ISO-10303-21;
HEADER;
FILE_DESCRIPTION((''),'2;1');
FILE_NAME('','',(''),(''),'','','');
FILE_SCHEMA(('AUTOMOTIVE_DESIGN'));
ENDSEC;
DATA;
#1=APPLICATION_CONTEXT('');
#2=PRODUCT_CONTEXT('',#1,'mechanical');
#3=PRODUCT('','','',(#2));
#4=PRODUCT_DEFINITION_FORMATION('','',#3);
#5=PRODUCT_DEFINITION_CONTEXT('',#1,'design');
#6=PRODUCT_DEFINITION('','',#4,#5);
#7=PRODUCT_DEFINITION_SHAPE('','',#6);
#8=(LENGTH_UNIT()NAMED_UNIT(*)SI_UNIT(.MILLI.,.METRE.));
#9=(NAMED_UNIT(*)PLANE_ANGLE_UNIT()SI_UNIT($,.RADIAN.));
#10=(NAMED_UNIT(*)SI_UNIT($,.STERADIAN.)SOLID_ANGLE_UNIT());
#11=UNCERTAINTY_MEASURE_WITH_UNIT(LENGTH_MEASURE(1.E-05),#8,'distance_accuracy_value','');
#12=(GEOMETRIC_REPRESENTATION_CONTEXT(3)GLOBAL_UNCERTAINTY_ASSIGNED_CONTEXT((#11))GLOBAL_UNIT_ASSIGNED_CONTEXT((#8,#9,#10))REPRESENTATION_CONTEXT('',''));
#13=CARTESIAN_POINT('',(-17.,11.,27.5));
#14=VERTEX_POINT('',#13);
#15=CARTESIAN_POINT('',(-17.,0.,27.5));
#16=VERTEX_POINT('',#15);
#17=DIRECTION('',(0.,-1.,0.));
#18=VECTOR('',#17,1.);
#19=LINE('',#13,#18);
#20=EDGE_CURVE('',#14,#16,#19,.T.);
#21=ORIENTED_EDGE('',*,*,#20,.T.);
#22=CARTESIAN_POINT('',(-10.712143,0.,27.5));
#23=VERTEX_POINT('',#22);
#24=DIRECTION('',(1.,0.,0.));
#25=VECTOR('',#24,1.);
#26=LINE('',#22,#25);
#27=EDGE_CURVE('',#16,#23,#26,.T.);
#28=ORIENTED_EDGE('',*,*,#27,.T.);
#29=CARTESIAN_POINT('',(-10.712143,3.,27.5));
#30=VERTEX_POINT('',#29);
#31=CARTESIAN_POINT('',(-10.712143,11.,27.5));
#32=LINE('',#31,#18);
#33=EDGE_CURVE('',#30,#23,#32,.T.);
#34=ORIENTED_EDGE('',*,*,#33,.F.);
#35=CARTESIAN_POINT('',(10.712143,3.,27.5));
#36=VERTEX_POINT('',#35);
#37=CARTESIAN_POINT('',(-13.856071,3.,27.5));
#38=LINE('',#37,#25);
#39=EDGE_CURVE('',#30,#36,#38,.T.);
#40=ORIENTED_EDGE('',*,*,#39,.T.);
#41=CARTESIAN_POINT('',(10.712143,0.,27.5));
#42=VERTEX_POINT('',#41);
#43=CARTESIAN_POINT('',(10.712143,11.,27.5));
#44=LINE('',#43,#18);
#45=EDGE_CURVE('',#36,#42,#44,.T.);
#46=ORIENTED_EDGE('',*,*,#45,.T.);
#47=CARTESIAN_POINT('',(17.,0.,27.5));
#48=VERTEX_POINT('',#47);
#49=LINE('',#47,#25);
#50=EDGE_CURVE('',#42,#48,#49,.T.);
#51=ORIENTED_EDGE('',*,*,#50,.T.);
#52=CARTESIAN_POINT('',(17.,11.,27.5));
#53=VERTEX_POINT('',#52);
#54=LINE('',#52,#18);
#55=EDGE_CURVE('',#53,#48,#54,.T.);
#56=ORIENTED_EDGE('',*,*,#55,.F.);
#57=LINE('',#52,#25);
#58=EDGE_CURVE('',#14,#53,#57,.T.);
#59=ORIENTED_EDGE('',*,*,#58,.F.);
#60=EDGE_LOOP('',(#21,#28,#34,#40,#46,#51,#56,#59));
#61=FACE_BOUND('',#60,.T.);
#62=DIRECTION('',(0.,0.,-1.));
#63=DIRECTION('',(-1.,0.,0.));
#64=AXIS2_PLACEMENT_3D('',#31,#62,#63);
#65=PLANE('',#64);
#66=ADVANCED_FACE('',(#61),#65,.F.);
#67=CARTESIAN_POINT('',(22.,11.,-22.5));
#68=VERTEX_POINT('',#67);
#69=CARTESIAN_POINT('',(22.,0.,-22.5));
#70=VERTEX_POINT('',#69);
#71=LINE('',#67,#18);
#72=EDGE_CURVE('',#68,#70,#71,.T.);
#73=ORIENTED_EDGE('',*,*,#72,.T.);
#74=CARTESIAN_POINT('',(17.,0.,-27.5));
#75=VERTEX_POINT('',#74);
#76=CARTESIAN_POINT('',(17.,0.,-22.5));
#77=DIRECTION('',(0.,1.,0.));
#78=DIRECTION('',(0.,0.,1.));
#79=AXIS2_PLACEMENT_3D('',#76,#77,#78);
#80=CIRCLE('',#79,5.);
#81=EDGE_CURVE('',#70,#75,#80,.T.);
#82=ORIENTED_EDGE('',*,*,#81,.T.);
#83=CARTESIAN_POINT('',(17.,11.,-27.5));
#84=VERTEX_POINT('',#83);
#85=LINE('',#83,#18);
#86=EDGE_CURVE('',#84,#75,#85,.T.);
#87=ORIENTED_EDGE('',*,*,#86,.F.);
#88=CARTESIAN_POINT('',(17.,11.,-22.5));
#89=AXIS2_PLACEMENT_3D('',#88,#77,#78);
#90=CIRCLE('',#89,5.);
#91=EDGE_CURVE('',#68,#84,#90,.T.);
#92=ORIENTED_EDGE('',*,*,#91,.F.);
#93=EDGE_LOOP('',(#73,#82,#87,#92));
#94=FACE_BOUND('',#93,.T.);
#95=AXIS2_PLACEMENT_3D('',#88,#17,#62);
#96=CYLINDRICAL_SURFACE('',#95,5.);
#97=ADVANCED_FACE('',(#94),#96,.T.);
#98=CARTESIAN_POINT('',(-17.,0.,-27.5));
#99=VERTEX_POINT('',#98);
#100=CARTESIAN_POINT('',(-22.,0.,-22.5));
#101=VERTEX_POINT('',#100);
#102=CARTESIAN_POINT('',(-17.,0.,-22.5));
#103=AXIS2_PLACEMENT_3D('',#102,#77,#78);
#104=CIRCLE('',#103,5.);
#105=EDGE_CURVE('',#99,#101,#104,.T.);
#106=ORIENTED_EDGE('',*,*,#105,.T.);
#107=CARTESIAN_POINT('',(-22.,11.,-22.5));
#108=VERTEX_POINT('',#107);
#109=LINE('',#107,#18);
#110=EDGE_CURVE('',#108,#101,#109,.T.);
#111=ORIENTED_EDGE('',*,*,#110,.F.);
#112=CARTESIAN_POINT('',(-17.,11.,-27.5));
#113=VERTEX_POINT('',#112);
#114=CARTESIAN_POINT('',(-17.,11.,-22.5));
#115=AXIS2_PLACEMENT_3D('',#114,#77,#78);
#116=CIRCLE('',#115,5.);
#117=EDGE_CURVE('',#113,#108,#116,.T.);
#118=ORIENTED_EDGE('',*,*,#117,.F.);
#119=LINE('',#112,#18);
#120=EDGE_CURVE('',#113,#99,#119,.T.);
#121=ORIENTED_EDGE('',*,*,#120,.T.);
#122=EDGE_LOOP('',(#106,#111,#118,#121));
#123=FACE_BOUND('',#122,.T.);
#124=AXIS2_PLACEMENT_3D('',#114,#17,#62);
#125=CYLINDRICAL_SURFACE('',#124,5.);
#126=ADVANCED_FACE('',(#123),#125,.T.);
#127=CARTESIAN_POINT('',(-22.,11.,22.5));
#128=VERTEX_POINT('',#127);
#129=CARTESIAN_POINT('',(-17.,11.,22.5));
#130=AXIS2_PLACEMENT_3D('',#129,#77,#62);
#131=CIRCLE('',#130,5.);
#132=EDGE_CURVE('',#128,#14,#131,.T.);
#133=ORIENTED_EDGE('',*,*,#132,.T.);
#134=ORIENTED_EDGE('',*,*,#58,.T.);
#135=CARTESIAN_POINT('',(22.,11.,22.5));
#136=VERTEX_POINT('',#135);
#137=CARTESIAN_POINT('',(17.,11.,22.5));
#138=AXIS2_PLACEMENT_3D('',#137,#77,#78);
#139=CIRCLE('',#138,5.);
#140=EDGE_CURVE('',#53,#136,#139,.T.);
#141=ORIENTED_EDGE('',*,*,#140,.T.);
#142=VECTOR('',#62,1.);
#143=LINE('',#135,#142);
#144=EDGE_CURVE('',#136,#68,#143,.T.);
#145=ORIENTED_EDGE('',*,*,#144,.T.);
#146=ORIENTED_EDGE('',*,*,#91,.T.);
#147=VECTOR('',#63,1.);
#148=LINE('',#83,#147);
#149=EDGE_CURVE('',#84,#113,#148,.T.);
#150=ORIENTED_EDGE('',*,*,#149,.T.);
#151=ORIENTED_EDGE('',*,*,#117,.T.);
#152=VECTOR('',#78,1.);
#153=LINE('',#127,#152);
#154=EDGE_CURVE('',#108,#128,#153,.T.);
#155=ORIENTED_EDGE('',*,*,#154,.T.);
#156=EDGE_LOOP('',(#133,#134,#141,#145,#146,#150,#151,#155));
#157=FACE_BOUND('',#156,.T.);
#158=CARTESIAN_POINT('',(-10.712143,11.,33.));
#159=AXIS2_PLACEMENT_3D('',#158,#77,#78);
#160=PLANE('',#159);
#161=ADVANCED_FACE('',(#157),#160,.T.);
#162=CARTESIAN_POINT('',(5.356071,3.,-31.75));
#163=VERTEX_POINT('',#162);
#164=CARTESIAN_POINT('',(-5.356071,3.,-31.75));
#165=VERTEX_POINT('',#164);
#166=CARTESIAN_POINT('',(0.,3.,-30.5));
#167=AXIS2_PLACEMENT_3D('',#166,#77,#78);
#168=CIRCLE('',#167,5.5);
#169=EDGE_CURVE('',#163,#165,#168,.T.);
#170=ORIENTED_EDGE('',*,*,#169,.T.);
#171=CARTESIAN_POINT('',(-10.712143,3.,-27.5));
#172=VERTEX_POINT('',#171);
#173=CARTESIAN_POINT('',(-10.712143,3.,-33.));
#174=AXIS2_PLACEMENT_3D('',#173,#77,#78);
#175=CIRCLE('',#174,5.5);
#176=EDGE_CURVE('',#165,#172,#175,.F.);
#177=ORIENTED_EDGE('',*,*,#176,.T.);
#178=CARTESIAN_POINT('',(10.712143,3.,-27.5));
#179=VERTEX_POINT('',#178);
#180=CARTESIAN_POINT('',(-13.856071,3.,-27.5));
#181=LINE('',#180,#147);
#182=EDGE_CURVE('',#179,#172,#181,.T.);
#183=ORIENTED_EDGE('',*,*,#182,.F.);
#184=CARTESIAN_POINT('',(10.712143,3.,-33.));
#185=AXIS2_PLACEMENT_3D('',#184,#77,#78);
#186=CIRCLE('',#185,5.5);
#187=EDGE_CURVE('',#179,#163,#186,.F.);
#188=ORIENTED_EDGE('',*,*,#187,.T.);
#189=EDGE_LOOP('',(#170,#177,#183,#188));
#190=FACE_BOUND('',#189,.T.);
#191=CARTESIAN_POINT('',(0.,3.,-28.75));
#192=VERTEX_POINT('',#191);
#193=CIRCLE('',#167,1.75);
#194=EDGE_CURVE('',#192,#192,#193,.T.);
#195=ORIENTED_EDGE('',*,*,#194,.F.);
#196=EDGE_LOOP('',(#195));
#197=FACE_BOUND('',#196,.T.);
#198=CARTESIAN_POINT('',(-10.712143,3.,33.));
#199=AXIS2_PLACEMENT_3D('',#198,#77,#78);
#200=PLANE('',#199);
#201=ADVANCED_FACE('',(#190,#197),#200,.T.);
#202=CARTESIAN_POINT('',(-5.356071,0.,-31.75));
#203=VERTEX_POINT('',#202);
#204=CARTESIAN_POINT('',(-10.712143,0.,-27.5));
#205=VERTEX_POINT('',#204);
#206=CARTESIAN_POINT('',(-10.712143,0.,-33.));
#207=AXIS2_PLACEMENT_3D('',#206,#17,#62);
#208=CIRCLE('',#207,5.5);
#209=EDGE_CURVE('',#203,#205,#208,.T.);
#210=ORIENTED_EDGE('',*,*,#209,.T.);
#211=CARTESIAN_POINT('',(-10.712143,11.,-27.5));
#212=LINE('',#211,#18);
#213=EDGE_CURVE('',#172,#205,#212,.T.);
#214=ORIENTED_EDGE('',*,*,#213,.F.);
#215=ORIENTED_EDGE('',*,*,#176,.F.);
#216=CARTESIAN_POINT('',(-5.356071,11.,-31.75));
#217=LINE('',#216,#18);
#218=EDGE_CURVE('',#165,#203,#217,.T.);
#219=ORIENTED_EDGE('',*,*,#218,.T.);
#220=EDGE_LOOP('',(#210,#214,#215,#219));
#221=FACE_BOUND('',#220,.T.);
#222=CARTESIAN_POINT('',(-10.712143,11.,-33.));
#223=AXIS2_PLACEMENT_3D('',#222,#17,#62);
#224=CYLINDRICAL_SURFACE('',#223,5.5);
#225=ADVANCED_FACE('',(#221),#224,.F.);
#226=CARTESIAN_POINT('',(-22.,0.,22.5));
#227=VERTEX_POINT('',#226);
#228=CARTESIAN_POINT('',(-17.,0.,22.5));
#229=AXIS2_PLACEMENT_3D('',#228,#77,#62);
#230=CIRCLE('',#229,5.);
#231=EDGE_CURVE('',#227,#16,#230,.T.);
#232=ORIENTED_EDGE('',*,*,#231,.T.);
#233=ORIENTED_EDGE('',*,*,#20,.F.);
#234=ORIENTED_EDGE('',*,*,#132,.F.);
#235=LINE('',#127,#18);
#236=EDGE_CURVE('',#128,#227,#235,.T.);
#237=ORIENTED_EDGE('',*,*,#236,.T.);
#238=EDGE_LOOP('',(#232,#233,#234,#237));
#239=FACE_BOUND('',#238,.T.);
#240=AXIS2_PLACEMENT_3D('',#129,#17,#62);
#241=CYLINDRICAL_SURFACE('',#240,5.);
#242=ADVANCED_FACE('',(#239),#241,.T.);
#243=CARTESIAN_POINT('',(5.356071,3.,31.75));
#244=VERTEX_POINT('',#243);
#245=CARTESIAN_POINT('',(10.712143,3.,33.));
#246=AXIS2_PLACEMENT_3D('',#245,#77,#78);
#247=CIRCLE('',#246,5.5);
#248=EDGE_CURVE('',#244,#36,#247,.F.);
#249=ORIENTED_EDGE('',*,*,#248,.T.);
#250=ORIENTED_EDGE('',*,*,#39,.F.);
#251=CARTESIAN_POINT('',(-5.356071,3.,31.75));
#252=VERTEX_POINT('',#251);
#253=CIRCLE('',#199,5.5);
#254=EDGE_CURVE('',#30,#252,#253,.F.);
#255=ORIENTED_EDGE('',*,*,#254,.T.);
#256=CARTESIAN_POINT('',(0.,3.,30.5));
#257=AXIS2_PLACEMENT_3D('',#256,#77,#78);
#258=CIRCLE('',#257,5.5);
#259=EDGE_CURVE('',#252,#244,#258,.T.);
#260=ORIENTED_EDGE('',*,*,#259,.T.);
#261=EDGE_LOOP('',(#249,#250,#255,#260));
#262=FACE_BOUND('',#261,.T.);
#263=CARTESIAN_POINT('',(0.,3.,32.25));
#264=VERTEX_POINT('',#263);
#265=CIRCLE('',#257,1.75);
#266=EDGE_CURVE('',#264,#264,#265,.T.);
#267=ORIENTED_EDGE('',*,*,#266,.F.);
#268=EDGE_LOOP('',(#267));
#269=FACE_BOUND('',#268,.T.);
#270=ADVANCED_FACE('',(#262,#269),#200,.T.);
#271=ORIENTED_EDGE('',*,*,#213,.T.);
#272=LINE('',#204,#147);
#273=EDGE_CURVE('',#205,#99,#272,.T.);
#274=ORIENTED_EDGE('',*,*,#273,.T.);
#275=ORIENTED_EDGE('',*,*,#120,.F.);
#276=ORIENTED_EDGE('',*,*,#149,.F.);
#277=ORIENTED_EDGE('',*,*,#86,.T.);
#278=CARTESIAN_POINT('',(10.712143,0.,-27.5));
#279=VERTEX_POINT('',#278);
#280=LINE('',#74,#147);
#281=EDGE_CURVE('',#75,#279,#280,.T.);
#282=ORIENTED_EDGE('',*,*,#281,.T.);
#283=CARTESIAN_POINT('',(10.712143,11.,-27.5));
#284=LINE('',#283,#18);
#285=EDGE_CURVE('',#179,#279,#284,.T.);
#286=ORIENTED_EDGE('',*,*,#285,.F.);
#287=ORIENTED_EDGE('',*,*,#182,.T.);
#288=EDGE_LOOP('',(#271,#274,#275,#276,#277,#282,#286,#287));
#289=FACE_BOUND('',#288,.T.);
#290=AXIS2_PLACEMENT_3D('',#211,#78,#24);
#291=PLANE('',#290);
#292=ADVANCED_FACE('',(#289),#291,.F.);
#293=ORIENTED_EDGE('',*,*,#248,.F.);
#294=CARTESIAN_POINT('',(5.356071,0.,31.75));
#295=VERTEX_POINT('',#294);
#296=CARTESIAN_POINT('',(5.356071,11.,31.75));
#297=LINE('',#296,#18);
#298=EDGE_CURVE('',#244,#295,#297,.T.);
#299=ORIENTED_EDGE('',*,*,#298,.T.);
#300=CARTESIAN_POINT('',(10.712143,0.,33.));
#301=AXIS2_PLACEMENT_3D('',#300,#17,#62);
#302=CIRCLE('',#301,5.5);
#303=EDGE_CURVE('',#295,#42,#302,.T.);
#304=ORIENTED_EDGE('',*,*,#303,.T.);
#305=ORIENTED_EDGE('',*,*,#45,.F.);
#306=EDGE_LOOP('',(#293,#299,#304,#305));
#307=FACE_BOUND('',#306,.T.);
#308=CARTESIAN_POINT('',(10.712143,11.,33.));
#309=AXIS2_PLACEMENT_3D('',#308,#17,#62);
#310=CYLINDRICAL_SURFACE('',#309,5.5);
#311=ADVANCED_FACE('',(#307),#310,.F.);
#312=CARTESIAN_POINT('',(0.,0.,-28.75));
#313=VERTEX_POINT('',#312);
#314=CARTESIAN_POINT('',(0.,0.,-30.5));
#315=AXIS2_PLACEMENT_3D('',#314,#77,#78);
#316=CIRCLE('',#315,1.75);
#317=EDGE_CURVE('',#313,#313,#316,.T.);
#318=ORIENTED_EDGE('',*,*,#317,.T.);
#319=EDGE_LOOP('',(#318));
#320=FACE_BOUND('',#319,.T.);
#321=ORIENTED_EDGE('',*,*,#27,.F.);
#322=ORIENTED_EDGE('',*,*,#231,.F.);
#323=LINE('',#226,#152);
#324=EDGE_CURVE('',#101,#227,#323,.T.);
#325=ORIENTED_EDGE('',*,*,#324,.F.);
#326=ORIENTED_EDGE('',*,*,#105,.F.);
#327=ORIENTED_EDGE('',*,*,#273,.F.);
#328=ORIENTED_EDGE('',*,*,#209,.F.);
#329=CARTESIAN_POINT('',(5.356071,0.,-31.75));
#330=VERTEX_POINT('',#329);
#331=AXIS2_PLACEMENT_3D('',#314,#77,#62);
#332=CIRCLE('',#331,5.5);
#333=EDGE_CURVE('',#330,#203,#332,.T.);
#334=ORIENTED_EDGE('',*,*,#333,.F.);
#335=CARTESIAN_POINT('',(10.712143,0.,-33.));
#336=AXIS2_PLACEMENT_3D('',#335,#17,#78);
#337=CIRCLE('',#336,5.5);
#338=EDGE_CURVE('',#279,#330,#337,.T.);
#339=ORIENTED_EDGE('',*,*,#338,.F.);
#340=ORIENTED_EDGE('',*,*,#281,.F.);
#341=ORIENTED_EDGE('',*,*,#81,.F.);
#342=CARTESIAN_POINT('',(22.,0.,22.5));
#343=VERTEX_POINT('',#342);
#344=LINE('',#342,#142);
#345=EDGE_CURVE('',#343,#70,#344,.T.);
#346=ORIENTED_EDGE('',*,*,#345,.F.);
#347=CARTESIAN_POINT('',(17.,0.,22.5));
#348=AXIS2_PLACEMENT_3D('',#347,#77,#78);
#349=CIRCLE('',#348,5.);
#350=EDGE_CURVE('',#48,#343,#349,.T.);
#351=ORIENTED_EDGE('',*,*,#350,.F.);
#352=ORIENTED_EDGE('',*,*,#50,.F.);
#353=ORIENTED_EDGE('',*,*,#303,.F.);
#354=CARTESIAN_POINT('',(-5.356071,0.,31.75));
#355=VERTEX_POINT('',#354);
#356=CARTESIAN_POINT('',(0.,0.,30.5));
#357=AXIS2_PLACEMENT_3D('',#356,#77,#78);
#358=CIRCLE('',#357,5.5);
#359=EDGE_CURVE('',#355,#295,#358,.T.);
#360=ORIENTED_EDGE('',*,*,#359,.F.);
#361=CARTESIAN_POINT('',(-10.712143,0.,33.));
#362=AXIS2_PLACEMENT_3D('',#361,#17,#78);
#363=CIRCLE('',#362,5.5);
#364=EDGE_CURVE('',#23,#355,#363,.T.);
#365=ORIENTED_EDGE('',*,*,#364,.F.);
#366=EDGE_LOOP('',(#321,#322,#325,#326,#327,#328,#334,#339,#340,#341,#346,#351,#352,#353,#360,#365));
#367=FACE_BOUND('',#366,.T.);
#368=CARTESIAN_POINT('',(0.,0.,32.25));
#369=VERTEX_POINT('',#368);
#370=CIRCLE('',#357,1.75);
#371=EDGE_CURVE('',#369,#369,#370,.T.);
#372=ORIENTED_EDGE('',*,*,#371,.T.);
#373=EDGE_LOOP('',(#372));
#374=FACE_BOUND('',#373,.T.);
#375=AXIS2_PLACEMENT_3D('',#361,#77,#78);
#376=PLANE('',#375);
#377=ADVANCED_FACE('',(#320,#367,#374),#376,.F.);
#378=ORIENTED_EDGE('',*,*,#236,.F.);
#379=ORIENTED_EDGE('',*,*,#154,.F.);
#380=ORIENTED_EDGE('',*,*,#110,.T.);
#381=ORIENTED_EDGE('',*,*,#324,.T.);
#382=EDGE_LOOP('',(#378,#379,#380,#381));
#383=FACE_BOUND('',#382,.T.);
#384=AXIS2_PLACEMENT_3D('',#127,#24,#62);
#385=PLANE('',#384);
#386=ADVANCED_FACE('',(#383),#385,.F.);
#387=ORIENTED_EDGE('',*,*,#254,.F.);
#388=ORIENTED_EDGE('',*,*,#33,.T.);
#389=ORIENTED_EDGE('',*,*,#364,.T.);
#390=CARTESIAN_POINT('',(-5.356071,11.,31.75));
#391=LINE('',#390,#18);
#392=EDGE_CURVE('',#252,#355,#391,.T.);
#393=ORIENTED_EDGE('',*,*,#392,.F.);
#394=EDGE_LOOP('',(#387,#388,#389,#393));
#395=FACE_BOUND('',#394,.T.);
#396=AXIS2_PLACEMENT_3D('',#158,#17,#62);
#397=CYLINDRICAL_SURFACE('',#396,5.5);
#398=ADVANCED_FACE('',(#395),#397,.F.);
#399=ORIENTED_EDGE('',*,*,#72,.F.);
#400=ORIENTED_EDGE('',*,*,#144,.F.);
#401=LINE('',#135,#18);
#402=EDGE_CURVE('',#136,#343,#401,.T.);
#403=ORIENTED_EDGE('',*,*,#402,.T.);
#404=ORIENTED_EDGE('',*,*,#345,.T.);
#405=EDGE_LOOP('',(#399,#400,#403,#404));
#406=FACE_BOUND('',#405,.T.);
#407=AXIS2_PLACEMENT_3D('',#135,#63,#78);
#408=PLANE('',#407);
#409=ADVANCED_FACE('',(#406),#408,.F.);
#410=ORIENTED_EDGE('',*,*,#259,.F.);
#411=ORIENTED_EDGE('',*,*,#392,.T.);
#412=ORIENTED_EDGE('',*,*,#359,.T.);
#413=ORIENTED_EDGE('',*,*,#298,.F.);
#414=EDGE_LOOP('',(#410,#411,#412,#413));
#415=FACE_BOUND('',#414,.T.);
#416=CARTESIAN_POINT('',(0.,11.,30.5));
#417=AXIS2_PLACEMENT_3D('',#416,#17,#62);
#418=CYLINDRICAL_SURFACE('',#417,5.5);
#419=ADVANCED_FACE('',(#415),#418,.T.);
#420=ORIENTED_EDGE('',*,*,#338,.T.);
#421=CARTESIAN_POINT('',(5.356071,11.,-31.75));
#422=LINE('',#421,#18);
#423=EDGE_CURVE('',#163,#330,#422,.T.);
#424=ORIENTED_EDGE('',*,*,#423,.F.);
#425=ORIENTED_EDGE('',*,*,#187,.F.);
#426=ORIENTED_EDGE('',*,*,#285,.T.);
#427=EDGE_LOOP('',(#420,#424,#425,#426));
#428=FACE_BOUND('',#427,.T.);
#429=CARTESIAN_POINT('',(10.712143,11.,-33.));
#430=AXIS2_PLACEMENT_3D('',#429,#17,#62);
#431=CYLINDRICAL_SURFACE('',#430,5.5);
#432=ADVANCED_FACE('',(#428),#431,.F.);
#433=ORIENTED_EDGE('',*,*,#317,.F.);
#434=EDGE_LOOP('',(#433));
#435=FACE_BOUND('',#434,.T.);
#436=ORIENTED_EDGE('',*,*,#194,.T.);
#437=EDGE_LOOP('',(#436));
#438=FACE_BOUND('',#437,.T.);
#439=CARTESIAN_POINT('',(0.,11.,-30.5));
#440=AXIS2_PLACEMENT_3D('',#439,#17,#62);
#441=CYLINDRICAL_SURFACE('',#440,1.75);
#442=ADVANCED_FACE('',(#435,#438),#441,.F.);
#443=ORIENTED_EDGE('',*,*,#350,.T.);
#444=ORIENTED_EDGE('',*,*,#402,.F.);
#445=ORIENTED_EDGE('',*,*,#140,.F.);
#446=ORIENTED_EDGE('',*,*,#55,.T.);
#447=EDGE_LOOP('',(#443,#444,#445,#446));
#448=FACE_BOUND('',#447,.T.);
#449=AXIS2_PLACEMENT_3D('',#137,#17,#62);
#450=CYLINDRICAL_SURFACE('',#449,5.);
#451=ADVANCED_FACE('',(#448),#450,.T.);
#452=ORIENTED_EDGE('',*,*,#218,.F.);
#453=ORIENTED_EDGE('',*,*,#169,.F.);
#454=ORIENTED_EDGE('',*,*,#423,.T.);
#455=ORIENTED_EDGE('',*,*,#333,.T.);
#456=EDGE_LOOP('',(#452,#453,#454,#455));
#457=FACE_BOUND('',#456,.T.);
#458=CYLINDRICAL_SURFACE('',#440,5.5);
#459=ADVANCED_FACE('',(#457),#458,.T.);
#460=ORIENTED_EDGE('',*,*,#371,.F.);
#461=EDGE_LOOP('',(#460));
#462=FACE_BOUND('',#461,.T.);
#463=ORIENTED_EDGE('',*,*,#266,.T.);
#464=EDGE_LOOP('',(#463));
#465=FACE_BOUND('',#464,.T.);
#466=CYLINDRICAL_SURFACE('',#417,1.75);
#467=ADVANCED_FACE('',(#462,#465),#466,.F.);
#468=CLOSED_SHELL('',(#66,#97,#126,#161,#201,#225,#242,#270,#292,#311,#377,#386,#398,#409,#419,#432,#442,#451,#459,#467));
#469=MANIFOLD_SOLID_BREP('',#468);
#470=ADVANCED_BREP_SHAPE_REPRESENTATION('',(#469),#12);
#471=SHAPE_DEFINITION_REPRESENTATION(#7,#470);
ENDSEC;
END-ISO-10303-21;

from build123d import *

# Parameters (mm, degrees)
SKETCH1_R           = 1.75
BOSS_EXTRUDE1_DEPTH = 11
SKETCH2_W           = 27.712142642
SKETCH2_H           = 8.5
CUT_EXTRUDE1_DEPTH  = 8


with BuildPart() as part:
    # Sketch1 → Boss-Extrude1 (new body)
    with BuildSketch(Plane(origin=(0, 0, 0), x_dir=(1, 0, 0), z_dir=(0, 1, 0))):
        with BuildLine():
            Line((17, -27.5), (10.712142643, -27.5))
            ThreePointArc((10.712142643, -27.5), (7.29344406, -28.691578015), (5.356071321, -31.75))
            ThreePointArc((5.356071321, -31.75), (0, -36), (-5.356071321, -31.75))
            ThreePointArc((-5.356071321, -31.75), (-7.29344406, -28.691578015), (-10.712142643, -27.5))
            Line((-10.712142643, -27.5), (-17, -27.5))
            ThreePointArc((-17, -27.5), (-20.535533906, -26.035533906), (-22, -22.5))
            Line((-22, -22.5), (-22, 22.5))
            ThreePointArc((-22, 22.5), (-20.535533906, 26.035533906), (-17, 27.5))
            Line((-17, 27.5), (-10.712142643, 27.5))
            ThreePointArc((-10.712142643, 27.5), (-7.29344406, 28.691578015), (-5.356071321, 31.75))
            ThreePointArc((-5.356071321, 31.75), (0, 36), (5.356071321, 31.75))
            ThreePointArc((5.356071321, 31.75), (7.29344406, 28.691578015), (10.712142643, 27.5))
            Line((10.712142643, 27.5), (17, 27.5))
            ThreePointArc((17, 27.5), (20.535533906, 26.035533906), (22, 22.5))
            Line((22, 22.5), (22, -22.5))
            ThreePointArc((22, -22.5), (20.535533906, -26.035533906), (17, -27.5))
        make_face()
        with Locations(Location((0, -30.5, 0), (0, 0, 270))):
            Circle(SKETCH1_R, mode=Mode.SUBTRACT)
        with Locations(Location((0, 30.5, 0), (0, 0, 270))):
            Circle(SKETCH1_R, mode=Mode.SUBTRACT)
    extrude(amount=BOSS_EXTRUDE1_DEPTH)

    # Sketch2 → Cut-Extrude1 (cut)
    with BuildSketch(Plane(origin=(0, 11, 0), x_dir=(1, 0, 0), z_dir=(0, 1, 0))):
        with Locations((0, -31.75)):
            Rectangle(SKETCH2_W, SKETCH2_H)
        with Locations((0, 31.75)):
            Rectangle(SKETCH2_W, SKETCH2_H)
    extrude(amount=-CUT_EXTRUDE1_DEPTH, mode=Mode.SUBTRACT)


solid = part.part
